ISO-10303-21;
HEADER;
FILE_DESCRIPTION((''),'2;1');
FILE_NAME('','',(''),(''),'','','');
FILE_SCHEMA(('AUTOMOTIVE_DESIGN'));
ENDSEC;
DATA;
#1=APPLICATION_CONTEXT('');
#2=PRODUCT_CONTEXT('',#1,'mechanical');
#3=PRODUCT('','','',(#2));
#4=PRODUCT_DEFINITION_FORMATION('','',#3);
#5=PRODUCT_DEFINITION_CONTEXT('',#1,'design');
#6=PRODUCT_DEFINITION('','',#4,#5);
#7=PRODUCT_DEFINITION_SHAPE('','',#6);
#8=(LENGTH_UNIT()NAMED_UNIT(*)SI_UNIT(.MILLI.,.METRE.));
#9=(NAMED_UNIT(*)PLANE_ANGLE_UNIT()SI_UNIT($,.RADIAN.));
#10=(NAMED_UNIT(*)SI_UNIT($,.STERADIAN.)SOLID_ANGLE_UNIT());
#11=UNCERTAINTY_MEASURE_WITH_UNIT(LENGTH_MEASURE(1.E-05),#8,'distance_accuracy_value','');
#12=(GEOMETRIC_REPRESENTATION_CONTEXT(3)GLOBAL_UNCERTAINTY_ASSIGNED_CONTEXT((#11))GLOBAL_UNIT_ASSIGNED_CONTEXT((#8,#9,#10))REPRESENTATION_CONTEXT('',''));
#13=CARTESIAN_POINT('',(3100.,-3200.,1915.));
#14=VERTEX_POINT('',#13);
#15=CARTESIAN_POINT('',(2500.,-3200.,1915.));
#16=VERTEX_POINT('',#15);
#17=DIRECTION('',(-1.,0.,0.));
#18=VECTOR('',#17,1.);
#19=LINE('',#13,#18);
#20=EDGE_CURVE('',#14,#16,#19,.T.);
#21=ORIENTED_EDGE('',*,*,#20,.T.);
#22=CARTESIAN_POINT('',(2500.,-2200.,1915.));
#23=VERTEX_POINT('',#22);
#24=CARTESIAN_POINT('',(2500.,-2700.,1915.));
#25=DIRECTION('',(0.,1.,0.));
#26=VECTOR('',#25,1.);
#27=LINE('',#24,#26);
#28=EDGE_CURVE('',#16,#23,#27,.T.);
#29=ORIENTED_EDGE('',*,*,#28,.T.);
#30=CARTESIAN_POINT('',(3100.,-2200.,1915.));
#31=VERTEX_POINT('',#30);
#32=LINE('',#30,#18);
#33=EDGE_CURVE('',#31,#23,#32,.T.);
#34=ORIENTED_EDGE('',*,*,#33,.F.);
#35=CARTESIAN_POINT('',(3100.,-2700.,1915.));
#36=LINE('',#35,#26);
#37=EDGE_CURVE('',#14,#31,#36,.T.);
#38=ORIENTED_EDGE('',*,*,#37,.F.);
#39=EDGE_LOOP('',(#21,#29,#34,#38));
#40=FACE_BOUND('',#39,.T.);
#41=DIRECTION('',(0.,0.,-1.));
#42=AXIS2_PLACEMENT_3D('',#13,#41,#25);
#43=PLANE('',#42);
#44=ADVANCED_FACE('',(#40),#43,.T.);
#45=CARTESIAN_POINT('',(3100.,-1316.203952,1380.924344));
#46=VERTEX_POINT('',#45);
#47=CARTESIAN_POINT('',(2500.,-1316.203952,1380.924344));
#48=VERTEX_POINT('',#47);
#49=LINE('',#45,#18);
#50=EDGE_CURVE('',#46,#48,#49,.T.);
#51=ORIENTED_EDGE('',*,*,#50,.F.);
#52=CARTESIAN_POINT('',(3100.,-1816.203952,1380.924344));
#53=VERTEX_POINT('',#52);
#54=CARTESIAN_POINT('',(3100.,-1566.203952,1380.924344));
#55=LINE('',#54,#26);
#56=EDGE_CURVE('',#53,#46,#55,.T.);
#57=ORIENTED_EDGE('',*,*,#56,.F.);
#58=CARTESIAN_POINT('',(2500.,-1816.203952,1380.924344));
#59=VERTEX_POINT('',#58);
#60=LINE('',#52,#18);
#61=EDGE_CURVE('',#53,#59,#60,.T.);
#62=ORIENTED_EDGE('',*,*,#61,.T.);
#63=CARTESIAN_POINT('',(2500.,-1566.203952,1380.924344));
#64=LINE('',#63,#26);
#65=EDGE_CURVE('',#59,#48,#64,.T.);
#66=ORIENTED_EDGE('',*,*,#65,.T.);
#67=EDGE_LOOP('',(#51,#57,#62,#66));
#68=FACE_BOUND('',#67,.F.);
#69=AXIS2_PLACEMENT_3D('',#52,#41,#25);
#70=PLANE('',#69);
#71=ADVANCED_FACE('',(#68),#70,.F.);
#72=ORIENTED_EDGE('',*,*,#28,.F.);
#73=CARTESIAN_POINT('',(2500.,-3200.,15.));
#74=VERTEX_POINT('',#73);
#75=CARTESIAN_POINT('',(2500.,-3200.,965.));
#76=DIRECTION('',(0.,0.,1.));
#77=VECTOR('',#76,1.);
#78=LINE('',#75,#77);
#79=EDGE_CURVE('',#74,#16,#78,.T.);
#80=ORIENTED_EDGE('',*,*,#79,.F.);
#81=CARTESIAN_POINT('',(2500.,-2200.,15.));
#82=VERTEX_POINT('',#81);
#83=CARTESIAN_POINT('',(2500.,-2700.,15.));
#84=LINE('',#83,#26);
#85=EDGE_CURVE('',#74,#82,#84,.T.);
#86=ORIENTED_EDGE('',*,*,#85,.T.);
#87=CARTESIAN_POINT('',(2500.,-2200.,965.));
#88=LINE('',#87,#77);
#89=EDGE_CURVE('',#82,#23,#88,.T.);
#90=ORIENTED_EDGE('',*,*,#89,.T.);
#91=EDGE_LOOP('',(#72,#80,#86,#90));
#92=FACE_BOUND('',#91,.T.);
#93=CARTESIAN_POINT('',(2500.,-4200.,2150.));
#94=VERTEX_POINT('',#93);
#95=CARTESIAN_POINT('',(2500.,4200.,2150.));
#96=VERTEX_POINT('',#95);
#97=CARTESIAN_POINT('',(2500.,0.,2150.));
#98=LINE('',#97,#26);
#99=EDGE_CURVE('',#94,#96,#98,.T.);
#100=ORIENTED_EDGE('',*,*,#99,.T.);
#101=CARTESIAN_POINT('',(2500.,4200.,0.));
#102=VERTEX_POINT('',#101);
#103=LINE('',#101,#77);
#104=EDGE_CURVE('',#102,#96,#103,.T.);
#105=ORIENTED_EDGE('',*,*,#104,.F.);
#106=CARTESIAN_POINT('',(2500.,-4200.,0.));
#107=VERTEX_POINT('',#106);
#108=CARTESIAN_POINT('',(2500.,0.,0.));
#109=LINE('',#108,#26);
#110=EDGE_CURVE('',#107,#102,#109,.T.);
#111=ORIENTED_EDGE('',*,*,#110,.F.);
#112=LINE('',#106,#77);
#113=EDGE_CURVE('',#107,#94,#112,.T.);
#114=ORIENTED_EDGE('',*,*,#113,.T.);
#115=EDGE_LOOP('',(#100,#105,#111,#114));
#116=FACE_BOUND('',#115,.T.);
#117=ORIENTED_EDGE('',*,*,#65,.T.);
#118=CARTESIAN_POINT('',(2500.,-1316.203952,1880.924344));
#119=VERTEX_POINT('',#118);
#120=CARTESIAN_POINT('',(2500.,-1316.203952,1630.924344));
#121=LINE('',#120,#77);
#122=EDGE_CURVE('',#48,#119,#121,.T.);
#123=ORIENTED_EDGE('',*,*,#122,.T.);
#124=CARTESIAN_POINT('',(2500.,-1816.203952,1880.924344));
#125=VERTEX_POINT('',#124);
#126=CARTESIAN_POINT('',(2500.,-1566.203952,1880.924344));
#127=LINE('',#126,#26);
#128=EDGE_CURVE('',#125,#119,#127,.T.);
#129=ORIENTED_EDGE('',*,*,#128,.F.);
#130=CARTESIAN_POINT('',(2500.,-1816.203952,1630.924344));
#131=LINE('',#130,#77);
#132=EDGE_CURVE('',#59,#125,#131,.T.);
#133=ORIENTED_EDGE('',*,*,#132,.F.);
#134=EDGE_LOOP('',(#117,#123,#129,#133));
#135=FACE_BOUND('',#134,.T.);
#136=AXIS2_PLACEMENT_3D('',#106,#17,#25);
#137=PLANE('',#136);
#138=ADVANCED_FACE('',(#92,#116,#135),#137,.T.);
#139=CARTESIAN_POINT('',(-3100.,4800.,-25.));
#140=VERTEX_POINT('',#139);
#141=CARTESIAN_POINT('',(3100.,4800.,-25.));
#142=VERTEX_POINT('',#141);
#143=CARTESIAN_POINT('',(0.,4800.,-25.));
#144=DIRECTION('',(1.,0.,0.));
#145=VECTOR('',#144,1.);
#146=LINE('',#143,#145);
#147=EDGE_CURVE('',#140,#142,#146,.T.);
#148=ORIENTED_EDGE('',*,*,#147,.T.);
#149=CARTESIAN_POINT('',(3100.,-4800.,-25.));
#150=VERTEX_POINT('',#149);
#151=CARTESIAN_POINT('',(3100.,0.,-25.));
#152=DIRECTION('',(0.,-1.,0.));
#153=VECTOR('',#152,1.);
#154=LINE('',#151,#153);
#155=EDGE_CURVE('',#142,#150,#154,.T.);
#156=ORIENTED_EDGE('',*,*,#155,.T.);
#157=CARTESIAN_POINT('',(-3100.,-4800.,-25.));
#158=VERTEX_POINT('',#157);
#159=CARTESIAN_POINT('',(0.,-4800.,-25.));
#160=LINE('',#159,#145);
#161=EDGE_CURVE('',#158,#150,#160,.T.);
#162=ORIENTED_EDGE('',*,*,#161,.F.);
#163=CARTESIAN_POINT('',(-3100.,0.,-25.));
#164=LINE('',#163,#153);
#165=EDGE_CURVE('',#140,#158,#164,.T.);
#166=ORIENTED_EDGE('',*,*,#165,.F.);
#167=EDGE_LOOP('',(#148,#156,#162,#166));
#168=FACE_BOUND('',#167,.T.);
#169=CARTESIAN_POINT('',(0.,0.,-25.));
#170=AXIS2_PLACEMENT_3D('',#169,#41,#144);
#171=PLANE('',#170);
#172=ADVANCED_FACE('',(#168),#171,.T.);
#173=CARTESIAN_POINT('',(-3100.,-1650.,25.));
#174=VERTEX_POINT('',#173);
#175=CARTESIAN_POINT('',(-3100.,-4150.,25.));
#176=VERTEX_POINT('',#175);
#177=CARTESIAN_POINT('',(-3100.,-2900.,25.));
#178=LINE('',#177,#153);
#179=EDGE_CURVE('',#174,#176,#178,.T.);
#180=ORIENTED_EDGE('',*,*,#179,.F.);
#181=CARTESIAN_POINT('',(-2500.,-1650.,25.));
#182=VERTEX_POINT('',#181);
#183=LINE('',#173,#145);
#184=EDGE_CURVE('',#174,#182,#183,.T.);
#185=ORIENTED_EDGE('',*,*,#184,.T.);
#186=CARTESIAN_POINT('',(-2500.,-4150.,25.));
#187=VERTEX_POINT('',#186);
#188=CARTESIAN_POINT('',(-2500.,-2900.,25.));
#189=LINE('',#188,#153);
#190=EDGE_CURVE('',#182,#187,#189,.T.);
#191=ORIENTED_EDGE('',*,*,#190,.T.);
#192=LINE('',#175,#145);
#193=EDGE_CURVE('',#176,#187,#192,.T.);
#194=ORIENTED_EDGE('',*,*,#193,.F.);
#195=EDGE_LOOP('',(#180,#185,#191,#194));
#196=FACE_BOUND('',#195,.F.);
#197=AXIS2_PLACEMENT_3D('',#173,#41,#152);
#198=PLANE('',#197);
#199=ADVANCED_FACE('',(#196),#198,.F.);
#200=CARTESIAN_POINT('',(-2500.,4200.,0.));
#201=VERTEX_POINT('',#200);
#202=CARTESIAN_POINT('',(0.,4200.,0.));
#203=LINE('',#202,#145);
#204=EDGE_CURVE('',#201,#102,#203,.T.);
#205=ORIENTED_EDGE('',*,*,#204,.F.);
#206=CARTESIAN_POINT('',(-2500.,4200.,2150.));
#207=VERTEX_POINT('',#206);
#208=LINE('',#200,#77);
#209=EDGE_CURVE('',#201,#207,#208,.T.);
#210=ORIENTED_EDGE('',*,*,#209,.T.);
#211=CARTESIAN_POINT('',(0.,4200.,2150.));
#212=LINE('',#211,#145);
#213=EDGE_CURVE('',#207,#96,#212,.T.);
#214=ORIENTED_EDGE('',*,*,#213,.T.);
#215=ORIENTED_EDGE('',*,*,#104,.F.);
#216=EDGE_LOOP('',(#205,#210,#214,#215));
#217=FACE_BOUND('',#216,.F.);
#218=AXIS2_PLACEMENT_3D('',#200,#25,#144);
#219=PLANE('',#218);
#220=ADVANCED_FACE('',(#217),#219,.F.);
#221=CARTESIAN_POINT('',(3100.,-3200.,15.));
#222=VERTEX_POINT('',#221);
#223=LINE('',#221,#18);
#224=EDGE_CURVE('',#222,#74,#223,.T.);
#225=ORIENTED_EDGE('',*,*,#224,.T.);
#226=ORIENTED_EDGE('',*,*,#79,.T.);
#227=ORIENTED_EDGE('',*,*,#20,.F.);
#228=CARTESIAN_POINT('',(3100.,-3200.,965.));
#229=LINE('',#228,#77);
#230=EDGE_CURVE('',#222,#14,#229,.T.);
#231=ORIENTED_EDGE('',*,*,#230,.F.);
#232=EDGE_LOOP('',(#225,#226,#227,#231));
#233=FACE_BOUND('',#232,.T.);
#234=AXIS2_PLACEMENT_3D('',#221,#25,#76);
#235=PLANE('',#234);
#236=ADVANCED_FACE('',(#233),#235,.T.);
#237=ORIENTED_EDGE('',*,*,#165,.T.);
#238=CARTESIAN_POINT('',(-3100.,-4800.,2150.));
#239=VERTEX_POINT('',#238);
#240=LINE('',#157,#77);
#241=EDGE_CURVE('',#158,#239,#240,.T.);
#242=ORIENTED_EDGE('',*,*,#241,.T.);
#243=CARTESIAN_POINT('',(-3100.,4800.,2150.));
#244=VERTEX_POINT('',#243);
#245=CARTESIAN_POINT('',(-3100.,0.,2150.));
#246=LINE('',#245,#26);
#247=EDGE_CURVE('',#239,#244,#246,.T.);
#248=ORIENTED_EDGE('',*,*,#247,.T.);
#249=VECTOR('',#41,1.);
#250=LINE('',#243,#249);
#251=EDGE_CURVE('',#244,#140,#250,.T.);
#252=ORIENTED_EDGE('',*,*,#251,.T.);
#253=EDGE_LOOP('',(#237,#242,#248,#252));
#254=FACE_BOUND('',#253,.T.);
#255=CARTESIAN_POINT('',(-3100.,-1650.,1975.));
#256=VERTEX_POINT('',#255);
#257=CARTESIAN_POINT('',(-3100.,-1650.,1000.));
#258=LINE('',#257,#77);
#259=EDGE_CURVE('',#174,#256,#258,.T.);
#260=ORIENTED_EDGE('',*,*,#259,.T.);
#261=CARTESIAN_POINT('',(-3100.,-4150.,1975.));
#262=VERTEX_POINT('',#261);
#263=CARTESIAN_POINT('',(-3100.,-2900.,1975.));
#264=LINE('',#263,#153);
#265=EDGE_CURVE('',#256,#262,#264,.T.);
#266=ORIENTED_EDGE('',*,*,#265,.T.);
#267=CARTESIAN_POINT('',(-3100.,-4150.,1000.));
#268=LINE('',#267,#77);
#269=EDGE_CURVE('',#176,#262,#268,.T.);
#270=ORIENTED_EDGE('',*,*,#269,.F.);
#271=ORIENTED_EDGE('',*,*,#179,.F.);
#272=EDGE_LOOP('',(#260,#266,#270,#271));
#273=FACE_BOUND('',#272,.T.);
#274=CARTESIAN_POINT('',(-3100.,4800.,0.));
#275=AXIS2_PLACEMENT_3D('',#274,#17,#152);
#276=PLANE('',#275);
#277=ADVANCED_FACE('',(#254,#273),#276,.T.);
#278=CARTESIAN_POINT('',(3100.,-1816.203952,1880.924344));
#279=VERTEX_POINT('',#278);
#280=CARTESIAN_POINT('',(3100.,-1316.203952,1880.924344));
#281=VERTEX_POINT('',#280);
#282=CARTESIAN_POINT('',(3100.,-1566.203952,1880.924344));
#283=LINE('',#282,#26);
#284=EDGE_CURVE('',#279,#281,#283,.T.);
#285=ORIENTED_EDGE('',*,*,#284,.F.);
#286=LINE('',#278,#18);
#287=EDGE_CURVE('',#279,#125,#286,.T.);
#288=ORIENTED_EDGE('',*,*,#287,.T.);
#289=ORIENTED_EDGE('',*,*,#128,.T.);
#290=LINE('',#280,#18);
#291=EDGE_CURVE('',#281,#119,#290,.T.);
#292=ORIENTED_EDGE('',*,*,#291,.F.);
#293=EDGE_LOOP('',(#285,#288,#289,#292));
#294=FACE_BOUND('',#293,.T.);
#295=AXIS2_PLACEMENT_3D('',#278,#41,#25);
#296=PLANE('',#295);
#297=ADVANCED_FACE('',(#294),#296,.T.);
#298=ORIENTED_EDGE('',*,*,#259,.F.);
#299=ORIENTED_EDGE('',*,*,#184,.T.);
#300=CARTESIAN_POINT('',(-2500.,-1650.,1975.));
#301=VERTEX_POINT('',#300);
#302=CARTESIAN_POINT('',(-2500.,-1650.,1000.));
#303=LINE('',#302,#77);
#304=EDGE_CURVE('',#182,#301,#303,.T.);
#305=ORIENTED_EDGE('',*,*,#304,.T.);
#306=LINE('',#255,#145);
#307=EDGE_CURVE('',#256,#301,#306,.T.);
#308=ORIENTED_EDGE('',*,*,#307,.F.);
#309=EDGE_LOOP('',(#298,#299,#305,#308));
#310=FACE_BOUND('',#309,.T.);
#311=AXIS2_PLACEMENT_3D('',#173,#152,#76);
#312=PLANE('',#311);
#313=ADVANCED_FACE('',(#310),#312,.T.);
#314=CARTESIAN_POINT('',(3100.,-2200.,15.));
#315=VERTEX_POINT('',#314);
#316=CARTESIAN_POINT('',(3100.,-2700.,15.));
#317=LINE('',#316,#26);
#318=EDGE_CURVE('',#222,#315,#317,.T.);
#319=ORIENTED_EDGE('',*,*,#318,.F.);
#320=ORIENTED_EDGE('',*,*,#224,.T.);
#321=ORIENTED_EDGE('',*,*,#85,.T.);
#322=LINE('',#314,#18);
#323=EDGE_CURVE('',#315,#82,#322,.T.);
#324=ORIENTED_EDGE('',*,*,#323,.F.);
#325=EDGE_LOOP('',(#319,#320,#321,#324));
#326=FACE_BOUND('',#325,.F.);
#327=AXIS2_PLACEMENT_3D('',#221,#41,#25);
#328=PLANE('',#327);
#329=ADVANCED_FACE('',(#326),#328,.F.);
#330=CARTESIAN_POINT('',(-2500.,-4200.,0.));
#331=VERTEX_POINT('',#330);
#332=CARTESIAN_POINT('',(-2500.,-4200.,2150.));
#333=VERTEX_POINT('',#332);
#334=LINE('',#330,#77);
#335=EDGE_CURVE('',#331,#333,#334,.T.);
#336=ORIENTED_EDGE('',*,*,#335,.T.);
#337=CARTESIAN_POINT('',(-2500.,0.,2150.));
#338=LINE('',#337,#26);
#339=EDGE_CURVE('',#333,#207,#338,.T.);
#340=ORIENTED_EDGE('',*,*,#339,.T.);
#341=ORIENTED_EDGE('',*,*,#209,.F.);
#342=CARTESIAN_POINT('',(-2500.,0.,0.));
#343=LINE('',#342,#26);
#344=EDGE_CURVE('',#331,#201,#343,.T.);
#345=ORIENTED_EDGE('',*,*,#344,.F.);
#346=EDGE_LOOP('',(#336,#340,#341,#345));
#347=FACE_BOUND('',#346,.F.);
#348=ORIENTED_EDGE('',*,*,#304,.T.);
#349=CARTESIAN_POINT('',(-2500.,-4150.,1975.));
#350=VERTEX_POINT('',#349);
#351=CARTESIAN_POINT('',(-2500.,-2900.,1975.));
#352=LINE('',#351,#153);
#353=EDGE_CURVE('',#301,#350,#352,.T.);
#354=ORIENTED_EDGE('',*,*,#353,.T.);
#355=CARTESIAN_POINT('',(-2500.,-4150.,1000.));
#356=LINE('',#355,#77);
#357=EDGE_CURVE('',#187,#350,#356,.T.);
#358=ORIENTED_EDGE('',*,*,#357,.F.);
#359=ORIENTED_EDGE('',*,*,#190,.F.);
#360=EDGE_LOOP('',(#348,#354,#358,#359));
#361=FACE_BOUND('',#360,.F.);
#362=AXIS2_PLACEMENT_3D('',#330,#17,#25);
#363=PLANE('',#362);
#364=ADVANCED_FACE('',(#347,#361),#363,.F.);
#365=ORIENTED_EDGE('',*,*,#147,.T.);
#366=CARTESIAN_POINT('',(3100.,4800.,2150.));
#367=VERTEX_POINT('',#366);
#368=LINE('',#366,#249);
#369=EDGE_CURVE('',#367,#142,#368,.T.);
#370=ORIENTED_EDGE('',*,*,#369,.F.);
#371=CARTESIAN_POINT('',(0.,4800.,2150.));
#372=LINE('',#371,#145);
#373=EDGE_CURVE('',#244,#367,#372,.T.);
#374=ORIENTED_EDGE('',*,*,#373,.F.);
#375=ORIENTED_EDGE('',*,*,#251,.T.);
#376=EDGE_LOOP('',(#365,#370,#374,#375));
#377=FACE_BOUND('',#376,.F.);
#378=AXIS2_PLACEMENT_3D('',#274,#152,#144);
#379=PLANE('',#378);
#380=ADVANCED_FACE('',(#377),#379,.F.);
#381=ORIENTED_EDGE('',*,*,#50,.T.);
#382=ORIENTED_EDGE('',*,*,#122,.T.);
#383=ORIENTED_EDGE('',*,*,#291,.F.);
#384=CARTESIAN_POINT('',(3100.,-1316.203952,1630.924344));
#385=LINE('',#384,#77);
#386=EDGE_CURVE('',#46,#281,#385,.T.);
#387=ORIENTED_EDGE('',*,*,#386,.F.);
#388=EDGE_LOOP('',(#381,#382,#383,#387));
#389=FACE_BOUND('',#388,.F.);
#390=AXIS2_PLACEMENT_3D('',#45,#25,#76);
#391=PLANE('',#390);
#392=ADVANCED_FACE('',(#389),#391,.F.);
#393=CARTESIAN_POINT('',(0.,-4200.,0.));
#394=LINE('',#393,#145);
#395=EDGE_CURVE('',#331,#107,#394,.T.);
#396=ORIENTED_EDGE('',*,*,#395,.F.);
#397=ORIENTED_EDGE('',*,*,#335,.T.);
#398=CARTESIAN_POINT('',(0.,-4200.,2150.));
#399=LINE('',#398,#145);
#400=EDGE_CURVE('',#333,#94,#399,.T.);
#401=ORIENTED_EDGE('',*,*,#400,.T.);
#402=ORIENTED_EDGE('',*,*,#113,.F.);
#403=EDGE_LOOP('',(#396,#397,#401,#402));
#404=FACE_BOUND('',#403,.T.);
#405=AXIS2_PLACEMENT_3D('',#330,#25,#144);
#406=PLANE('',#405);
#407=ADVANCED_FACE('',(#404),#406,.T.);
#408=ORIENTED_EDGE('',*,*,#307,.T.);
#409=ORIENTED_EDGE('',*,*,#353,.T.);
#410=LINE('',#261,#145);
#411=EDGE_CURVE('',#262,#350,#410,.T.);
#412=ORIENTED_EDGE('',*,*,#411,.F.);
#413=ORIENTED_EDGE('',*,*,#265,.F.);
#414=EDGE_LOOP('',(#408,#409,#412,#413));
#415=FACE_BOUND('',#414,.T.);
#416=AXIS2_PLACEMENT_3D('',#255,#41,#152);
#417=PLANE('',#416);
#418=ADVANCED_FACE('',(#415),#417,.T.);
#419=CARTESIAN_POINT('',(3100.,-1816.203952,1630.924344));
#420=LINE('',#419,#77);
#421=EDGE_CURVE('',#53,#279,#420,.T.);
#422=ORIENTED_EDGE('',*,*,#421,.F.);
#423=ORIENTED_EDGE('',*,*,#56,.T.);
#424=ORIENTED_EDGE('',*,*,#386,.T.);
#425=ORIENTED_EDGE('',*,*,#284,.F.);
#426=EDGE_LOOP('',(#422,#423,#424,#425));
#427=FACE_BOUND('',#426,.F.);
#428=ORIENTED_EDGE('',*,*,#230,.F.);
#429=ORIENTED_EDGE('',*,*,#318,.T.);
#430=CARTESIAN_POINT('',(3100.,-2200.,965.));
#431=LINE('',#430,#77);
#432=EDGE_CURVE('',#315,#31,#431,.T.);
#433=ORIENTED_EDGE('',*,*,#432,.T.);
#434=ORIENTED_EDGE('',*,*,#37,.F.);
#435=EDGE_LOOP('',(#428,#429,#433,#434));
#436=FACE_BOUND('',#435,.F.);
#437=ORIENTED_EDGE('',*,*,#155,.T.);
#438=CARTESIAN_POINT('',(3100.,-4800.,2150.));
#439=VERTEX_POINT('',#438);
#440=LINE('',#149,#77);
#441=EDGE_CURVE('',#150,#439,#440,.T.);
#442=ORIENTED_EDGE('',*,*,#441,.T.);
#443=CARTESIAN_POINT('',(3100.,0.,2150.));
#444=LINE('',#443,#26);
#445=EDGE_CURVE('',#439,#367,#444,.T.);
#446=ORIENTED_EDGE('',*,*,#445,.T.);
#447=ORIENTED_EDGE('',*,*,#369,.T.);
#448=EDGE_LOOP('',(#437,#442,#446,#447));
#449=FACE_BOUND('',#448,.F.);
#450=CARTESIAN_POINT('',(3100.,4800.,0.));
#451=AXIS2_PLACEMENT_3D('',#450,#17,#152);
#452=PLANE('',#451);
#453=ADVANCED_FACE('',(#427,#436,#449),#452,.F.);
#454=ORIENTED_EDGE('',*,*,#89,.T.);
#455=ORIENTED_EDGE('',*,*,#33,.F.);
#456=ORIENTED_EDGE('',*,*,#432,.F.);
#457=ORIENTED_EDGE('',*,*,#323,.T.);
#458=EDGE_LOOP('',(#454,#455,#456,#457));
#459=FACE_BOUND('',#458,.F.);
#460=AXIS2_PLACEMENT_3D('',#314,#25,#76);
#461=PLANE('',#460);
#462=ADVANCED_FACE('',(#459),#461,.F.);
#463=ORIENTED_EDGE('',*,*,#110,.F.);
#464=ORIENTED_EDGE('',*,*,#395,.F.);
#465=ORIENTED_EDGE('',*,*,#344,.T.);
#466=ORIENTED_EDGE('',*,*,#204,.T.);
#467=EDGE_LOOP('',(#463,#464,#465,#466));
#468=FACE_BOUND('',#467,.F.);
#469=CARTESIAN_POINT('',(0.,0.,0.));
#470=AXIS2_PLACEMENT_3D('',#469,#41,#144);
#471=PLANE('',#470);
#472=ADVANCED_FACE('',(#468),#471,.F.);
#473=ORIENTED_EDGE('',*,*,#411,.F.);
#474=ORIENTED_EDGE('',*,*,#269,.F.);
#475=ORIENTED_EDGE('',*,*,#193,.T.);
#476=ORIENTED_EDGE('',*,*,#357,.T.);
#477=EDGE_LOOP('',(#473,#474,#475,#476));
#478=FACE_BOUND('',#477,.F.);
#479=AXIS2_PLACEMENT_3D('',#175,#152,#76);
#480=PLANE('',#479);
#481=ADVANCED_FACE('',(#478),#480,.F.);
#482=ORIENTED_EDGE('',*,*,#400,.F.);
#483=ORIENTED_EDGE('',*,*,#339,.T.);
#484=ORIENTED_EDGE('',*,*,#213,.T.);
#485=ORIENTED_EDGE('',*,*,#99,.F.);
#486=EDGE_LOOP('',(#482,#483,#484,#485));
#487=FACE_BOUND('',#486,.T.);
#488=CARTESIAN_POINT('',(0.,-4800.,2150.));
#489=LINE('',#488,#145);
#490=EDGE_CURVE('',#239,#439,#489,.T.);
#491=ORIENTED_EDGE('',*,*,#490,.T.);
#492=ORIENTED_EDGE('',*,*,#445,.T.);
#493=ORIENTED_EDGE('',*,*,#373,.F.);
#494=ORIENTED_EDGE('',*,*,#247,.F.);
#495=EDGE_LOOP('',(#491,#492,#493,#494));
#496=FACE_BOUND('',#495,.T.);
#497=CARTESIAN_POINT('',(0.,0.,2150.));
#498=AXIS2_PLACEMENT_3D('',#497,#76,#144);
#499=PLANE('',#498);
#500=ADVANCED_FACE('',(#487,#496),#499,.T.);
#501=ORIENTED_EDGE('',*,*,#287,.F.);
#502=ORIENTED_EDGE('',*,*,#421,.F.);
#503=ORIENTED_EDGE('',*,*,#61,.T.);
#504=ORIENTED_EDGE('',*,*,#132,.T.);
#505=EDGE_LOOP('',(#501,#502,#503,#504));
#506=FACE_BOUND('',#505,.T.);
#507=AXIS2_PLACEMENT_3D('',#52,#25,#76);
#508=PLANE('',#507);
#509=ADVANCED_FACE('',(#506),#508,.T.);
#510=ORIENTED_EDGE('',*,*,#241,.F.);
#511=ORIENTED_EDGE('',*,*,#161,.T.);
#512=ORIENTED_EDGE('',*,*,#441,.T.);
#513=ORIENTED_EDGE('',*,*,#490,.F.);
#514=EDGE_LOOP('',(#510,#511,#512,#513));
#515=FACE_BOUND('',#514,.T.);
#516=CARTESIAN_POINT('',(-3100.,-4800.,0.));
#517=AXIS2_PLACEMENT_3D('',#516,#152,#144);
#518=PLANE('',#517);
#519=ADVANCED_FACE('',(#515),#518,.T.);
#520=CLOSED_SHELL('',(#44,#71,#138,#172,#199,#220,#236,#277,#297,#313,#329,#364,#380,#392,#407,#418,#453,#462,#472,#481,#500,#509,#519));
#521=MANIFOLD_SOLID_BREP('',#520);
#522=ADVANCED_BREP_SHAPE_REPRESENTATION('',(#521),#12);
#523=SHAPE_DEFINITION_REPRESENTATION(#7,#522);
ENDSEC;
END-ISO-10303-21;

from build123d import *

# Parameters (mm, degrees)
F0_W     = 6200
F0_H     = 9600
F0_W_2   = 5000
F0_H_2   = 8400
F1_DEPTH = 2150
F2_W     = 6200
F2_H     = 9600
F3_DEPTH = 25
F4_W     = 2500
F4_H     = 1950
F5_DEPTH = 600
F6_W     = 1000
F6_H     = 1900
F6_W_2   = 500
F6_H_2   = 500
F7_DEPTH = 600


with BuildPart() as f1:
    # F0 (on Top) → F1 (new body)
    with BuildSketch(Plane.XY):
        Rectangle(F0_W, F0_H)
        Rectangle(F0_W_2, F0_H_2, mode=Mode.SUBTRACT)
    extrude(amount=F1_DEPTH)

    # F2 (on face) → F3 (join)
    with BuildSketch(Plane(origin=(0, 0, 0), x_dir=(1, 0, 0), z_dir=(0, 0, -1))):
        Rectangle(F2_W, F2_H)
    extrude(amount=F3_DEPTH)

    # F4 (on face) → F5 (cut, through all)
    with BuildSketch(Plane(origin=(-3100, 0, 0), x_dir=(0, -1, 0), z_dir=(-1, 0, 0))):
        with Locations((2900, 1000)):
            Rectangle(F4_W, F4_H)
    extrude(amount=-F5_DEPTH, mode=Mode.SUBTRACT)

    # F6 (on face) → F7 (cut, through all)
    with BuildSketch(Plane.YZ.offset(3100)):
        with Locations((-2700, 965)):
            Rectangle(F6_W, F6_H)
        with Locations((-1566.203952, 1630.924344)):
            Rectangle(F6_W_2, F6_H_2)
    extrude(amount=-F7_DEPTH, mode=Mode.SUBTRACT)


solid = f1.part
